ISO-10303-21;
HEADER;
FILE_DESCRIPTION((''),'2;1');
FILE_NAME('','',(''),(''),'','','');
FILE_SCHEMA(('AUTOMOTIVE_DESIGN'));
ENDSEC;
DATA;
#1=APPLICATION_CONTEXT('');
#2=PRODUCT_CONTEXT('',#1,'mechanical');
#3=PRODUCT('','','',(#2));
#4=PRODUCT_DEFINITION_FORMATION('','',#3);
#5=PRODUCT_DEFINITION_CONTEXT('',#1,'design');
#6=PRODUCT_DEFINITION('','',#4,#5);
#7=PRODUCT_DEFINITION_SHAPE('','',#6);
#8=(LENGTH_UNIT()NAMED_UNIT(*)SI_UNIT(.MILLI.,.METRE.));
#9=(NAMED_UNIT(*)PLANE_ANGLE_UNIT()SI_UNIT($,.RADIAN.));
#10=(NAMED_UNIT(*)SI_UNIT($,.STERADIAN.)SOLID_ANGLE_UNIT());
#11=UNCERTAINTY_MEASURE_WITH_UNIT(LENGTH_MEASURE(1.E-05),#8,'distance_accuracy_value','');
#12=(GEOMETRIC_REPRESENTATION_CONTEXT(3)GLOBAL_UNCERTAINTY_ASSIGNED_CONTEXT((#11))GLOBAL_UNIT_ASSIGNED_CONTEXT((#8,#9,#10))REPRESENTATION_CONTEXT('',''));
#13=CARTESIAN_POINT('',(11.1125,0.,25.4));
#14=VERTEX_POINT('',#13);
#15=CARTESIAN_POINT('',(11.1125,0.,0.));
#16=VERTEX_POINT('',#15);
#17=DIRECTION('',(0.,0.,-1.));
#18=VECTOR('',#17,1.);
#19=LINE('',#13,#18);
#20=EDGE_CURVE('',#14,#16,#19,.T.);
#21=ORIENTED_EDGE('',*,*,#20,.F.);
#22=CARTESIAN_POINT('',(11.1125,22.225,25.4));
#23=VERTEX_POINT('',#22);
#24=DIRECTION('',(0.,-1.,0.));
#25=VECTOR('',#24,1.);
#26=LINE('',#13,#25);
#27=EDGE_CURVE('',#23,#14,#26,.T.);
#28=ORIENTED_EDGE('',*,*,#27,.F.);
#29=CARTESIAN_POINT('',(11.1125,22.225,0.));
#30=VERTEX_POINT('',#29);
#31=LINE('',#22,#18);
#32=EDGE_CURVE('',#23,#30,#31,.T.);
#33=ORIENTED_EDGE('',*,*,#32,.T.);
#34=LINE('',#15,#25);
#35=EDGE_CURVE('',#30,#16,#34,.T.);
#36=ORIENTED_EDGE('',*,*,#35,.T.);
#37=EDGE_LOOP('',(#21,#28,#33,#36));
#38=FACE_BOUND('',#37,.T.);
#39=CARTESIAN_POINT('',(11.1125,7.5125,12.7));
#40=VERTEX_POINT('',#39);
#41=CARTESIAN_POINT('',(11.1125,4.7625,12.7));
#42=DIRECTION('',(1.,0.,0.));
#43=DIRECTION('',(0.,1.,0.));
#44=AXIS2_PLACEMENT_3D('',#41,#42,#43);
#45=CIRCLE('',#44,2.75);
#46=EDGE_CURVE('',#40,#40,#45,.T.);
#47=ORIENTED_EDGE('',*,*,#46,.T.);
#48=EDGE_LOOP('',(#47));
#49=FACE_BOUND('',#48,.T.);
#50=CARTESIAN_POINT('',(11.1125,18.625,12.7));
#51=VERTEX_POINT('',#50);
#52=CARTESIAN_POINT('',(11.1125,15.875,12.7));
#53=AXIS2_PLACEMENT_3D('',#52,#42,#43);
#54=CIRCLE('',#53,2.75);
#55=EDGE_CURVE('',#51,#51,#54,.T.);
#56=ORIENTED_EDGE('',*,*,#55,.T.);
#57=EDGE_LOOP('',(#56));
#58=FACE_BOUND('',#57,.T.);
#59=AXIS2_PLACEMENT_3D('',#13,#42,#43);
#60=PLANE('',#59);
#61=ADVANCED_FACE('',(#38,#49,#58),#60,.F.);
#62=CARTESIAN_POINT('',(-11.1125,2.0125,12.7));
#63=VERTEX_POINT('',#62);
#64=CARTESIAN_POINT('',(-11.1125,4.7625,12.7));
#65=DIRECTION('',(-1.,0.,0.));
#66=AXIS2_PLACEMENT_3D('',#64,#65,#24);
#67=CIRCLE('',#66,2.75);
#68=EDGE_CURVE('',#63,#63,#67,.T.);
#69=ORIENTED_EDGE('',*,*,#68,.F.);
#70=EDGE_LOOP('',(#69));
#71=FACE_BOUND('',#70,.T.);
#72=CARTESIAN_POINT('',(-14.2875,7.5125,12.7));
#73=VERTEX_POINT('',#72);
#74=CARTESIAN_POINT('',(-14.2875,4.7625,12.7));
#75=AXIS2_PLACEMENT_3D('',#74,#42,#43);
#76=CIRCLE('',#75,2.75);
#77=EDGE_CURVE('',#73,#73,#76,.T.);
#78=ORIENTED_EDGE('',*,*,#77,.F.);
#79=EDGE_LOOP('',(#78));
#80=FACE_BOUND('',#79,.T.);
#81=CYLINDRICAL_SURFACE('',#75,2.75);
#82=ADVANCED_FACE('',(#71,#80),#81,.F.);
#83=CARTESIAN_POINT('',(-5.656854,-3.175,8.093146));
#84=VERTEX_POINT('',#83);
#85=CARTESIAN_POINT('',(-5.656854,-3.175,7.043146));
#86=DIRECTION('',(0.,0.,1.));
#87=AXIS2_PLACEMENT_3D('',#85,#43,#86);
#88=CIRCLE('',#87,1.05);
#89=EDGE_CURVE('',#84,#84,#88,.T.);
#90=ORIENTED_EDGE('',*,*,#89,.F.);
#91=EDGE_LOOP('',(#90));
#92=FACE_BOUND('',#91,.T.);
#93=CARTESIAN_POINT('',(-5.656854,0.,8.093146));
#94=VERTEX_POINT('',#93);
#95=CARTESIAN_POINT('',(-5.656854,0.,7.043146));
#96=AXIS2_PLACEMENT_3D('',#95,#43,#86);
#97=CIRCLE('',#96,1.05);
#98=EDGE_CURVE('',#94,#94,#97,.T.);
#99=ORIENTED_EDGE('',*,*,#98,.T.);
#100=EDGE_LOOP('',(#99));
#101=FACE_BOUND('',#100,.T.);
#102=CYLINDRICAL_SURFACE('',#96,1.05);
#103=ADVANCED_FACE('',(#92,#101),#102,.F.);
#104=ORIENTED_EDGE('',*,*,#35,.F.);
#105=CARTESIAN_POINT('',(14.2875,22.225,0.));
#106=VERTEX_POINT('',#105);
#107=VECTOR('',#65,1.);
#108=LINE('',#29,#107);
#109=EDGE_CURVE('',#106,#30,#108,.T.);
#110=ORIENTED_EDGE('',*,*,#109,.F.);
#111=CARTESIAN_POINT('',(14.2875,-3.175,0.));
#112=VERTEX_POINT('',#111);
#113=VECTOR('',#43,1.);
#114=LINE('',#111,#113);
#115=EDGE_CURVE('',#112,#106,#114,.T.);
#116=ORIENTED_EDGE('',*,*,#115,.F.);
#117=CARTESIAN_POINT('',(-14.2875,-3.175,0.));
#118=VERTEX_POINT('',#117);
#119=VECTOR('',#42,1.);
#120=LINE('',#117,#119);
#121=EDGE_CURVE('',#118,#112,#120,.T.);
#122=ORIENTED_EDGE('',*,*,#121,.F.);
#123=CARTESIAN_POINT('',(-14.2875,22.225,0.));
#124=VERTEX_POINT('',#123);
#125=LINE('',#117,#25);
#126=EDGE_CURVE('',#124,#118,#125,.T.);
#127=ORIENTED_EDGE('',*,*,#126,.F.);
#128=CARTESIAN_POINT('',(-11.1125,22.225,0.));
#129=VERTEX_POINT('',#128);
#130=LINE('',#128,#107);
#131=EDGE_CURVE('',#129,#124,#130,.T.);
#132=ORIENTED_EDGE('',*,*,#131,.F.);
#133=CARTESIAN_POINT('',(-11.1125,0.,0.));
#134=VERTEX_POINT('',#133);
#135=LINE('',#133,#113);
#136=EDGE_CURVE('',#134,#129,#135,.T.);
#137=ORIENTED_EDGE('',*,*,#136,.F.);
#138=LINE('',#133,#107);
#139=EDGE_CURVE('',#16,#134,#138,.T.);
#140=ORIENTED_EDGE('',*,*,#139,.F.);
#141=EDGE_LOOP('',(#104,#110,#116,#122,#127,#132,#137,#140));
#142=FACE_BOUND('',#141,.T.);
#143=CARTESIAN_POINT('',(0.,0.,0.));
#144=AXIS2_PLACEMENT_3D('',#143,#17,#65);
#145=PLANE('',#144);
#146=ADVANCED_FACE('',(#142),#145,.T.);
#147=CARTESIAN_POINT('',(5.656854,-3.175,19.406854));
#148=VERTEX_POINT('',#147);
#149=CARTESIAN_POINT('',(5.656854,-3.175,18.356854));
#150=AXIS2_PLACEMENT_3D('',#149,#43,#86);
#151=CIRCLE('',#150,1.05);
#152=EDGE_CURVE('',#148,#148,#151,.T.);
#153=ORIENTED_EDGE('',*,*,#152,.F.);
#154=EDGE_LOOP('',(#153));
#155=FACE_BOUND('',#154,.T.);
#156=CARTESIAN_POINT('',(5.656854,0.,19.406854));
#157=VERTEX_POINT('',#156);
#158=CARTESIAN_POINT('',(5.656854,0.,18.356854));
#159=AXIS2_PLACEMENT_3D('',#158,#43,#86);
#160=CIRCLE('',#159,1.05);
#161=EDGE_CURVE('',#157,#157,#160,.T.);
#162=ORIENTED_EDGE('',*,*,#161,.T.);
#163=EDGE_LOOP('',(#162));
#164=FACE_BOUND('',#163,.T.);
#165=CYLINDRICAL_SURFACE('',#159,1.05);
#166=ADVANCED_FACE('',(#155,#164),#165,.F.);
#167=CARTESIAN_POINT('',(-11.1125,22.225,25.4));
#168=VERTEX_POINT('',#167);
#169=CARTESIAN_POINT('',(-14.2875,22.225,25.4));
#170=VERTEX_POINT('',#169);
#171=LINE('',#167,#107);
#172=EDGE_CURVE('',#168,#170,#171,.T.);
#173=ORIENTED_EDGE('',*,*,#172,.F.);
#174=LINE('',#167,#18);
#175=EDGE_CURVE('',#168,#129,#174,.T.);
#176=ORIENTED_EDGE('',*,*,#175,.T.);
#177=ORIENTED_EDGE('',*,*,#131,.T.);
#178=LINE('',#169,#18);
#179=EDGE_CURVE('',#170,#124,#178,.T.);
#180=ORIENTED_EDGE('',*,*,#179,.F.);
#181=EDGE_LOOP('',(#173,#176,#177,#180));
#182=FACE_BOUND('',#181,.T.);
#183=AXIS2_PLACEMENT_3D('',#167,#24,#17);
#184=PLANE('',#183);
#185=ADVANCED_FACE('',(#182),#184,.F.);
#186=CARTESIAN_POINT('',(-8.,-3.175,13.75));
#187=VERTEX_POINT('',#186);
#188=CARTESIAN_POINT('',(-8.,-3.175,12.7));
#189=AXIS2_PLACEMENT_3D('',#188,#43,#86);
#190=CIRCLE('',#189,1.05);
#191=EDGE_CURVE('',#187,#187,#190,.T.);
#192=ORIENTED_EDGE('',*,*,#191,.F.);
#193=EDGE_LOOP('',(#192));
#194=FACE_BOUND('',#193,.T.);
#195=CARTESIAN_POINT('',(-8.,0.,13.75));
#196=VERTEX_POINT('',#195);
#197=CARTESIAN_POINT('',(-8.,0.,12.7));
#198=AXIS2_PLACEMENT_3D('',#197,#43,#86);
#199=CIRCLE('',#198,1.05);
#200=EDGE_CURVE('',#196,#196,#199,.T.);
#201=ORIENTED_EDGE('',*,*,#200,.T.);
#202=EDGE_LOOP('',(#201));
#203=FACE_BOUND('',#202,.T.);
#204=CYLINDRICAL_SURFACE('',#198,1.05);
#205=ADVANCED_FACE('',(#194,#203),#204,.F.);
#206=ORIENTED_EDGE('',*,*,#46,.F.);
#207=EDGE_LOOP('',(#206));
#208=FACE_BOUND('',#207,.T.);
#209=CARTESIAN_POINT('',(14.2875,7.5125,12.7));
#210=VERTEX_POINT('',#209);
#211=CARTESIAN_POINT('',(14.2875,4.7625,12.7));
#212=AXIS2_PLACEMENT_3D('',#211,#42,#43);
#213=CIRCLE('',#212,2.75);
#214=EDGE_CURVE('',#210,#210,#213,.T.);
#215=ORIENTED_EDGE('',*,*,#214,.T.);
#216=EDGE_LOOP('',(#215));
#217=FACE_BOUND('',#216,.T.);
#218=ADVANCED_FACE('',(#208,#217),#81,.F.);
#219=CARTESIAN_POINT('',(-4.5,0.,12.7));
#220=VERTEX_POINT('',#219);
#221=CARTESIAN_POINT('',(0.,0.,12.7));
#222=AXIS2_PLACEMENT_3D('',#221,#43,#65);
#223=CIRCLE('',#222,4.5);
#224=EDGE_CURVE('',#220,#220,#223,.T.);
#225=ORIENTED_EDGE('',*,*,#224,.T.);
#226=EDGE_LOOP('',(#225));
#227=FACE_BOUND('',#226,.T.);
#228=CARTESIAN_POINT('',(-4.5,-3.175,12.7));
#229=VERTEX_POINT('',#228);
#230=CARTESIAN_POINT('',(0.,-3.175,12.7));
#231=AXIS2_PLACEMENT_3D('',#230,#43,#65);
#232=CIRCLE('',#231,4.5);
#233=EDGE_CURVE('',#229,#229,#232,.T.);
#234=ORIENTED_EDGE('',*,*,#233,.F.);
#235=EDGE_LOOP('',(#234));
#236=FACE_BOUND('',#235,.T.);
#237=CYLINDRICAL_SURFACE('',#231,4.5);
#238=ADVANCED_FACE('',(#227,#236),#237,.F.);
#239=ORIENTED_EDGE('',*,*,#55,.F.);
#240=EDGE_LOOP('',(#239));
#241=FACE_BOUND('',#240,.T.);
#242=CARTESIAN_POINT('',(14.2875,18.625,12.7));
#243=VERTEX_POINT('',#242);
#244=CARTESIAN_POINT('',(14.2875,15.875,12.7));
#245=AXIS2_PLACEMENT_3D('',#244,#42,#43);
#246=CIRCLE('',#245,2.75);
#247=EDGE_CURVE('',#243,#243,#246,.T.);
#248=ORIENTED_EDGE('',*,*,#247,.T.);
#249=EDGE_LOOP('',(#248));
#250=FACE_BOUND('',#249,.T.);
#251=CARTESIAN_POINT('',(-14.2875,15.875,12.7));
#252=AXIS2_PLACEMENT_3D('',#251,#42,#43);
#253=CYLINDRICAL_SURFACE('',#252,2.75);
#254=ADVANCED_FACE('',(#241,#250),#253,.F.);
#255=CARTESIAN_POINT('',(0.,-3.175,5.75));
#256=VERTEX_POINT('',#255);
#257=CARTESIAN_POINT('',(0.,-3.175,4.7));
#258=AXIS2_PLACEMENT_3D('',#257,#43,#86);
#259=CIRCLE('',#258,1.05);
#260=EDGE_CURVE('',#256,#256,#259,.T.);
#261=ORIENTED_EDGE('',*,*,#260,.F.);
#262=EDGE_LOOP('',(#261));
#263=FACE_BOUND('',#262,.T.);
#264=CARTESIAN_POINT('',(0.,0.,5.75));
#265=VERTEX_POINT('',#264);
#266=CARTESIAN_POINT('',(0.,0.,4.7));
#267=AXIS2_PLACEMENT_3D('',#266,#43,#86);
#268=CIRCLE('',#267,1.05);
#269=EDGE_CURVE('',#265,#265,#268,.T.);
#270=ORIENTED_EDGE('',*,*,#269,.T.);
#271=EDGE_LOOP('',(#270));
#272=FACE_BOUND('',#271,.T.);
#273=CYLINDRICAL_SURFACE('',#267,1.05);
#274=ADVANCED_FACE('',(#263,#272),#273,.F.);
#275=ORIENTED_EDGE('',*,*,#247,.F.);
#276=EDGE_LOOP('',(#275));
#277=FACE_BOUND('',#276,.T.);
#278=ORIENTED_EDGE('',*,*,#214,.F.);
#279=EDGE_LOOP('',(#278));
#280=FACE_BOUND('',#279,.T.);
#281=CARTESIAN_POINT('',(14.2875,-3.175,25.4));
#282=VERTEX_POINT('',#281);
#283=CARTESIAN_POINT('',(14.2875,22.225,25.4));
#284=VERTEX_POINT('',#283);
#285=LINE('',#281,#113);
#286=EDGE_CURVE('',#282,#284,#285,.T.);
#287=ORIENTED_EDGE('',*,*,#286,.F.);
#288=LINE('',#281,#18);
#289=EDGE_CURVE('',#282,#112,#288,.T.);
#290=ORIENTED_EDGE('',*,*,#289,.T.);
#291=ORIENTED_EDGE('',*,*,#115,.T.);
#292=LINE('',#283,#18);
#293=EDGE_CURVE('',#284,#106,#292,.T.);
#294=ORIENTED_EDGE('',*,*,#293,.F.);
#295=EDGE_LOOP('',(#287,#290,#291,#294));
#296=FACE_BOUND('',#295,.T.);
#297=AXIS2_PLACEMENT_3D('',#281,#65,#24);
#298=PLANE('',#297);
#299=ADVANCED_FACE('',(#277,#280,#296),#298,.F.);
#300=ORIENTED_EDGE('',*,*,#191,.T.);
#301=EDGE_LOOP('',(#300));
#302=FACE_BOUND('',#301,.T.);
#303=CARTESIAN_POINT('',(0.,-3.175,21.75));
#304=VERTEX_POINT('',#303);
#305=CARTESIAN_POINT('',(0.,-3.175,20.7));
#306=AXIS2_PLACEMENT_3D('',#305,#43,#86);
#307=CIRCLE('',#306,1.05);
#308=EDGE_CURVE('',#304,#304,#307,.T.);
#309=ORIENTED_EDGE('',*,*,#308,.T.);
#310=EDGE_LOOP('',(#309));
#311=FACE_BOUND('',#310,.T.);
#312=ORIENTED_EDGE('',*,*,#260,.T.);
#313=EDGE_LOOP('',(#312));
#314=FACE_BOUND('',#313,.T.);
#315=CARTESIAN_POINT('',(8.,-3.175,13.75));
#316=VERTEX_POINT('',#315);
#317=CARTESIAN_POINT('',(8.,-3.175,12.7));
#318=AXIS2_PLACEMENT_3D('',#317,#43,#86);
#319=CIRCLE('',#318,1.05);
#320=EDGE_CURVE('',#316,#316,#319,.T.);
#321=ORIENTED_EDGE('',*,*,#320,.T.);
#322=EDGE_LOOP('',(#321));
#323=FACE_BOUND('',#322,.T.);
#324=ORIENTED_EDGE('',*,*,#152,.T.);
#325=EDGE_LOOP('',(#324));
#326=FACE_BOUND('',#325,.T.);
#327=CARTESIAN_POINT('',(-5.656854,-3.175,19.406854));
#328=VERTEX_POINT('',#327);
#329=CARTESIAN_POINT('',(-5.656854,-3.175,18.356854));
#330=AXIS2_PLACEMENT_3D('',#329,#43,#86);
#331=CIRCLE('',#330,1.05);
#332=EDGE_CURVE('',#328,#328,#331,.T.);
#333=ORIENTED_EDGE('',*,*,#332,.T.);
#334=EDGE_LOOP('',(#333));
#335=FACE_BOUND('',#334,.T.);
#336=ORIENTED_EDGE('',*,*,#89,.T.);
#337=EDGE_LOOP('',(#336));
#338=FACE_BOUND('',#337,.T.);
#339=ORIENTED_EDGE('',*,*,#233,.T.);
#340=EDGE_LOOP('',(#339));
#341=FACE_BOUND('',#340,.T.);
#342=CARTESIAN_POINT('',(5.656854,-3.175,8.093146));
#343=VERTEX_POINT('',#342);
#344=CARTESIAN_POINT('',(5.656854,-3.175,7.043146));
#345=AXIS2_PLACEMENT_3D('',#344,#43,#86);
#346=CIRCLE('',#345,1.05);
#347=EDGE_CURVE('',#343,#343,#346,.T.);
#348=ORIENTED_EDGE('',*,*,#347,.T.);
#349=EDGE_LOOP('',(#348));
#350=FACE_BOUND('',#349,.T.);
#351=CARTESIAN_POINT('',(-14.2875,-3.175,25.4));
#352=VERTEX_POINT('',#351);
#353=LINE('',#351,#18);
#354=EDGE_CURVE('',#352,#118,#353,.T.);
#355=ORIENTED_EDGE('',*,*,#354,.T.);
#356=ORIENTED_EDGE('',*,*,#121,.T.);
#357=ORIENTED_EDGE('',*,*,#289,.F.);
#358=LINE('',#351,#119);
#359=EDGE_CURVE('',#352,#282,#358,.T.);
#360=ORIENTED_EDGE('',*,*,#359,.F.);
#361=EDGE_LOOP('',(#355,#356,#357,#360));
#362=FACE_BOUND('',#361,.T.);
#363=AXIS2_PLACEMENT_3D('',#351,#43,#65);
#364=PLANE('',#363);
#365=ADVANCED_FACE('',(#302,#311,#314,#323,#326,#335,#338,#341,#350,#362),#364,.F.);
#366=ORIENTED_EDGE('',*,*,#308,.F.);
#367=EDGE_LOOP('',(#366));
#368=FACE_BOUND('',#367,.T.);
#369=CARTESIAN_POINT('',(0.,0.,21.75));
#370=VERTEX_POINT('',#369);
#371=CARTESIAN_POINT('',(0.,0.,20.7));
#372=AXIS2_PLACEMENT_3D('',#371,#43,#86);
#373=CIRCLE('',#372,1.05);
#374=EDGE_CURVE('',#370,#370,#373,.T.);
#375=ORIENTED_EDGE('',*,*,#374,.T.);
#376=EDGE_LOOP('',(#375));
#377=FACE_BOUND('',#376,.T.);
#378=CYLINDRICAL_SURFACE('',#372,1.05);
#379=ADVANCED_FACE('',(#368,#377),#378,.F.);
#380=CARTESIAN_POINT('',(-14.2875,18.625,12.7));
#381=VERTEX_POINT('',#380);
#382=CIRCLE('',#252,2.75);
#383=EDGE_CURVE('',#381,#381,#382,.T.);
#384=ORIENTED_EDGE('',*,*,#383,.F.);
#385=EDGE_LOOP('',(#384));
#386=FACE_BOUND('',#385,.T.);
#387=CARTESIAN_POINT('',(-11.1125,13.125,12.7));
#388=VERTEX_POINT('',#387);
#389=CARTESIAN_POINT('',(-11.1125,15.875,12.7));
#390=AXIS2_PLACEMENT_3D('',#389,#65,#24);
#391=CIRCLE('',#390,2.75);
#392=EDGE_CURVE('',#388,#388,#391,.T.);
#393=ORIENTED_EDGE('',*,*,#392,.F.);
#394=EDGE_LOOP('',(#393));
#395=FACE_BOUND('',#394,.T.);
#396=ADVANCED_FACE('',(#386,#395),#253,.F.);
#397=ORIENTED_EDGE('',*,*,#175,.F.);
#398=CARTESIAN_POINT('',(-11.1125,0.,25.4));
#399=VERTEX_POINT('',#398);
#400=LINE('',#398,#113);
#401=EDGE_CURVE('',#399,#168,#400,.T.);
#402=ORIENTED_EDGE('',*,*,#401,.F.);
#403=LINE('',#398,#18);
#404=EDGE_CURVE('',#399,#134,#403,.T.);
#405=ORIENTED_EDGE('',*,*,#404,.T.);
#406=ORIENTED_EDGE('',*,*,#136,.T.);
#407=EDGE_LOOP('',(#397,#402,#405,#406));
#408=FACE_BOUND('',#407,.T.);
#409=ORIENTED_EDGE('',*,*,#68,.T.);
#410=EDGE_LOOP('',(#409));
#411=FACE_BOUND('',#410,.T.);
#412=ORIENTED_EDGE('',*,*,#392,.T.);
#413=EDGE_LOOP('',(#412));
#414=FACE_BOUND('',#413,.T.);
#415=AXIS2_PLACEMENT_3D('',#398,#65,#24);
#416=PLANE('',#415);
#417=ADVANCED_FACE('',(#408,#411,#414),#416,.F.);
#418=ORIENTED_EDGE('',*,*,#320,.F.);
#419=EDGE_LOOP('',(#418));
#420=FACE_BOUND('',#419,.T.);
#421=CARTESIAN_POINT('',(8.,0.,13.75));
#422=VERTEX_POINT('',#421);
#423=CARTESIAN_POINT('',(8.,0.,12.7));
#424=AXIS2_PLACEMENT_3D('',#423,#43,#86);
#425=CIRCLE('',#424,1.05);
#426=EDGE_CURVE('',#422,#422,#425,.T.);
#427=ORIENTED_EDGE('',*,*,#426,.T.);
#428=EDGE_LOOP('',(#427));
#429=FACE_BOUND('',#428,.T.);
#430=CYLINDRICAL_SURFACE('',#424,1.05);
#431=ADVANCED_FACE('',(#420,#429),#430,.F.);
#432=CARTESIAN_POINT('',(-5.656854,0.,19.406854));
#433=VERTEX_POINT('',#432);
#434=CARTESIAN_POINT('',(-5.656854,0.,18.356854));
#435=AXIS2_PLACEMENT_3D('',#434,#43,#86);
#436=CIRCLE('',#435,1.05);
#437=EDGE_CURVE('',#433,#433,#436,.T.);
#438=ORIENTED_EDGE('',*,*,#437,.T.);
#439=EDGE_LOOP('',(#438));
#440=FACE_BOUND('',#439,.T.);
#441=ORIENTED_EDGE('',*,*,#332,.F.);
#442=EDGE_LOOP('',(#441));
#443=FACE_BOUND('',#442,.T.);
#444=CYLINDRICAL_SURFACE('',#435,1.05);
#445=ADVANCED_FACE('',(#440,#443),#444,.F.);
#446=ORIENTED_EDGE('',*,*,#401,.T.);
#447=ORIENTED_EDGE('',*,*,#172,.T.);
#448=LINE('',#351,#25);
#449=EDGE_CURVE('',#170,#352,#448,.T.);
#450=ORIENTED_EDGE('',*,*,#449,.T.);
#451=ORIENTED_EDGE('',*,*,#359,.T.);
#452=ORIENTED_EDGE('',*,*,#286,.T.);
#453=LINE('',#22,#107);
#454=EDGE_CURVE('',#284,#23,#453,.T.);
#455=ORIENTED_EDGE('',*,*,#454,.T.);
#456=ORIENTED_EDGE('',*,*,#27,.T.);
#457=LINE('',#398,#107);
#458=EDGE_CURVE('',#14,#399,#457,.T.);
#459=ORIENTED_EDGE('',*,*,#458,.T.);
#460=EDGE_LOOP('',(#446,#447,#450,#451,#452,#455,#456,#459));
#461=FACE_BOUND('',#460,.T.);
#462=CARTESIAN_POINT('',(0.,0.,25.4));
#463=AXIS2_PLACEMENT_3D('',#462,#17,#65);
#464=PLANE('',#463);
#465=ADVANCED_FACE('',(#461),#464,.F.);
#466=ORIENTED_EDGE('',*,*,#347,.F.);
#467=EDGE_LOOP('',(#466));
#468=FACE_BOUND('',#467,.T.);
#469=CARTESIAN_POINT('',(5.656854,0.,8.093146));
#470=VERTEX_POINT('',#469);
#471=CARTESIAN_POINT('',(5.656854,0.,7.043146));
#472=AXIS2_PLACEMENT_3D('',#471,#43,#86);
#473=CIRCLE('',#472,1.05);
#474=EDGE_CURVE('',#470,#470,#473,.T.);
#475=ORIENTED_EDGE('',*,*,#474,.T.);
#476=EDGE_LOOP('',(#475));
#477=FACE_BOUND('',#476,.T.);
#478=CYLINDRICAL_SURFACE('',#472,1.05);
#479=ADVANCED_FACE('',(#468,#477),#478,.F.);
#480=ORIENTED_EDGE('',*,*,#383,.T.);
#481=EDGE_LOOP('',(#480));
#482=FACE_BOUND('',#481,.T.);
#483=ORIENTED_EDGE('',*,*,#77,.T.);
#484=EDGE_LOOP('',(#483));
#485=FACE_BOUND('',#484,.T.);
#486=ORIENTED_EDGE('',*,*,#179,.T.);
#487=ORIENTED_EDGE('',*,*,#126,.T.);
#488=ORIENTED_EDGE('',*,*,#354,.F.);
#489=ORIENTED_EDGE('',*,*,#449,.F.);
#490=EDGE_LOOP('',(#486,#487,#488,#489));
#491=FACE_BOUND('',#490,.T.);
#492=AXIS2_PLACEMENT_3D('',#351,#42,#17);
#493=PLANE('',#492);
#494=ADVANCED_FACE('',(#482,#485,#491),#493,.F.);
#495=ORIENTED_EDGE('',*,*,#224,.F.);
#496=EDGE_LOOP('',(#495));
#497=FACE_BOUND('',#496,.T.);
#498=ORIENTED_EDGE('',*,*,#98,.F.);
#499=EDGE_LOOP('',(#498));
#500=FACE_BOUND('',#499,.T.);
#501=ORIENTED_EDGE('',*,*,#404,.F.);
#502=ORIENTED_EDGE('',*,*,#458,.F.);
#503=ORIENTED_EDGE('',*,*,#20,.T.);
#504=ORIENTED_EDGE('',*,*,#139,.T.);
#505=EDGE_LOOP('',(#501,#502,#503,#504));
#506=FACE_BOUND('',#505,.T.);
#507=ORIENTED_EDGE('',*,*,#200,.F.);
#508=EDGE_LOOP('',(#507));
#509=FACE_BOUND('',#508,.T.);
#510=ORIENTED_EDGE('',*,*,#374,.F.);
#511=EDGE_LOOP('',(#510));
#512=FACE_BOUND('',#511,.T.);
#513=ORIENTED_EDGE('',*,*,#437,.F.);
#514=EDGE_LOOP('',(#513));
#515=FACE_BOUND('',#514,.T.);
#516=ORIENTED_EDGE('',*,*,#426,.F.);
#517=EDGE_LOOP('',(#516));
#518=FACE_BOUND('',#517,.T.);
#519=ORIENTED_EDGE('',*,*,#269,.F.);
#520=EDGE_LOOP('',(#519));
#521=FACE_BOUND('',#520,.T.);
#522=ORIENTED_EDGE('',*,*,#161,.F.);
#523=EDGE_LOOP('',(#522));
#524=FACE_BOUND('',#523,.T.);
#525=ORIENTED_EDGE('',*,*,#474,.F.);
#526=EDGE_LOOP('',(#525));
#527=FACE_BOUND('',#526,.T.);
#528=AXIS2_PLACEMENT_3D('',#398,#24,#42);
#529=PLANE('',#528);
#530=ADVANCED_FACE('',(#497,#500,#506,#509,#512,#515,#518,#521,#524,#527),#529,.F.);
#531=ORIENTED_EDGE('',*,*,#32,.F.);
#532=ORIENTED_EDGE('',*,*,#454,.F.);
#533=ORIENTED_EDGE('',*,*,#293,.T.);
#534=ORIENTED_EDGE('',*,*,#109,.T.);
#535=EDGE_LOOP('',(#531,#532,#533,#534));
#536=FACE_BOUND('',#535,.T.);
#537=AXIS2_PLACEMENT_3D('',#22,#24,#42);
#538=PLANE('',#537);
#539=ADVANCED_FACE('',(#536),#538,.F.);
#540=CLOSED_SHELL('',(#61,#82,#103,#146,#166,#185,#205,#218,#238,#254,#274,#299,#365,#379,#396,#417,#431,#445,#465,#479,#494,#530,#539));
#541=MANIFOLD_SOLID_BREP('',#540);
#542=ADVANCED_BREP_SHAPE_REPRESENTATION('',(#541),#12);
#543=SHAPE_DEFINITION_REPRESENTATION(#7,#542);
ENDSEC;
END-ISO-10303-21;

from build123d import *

# Parameters (mm, degrees)
BOSS_EXTRUDE1_DEPTH   = 25.4
SKETCH2_R             = 2.75
CUT_EXTRUDE1_DEPTH    = 45.22263278
SKETCH3_R             = 4.500000017
CUT_EXTRUDE2_DEPTH    = 37.650283508
F_2_0MM_DOWEL_HOLE1_D = 2.1


with BuildPart() as part:
    # Sketch1 → Boss-Extrude1 (new body)
    with BuildSketch(Plane.XY):
        Polygon((-11.1125, 0), (11.1125, 0), (11.1125, 22.225), (14.2875, 22.225), (14.2875, -3.175), (-14.2875, -3.175), (-14.2875, 22.225), (-11.1125, 22.225), align=None)
    extrude(amount=BOSS_EXTRUDE1_DEPTH)

    # Sketch2 → Cut-Extrude1 (cut, through all)
    with BuildSketch(Plane(origin=(14.2875, 0, 0), x_dir=(0, 0, -1), z_dir=(1, 0, 0))):
        with Locations(Location((-12.7, 15.875, 0), (0, 0, 90))):
            Circle(SKETCH2_R)
        with Locations(Location((-12.7, 4.7625, 0), (0, 0, 90))):
            Circle(SKETCH2_R)
    extrude(amount=-CUT_EXTRUDE1_DEPTH, mode=Mode.SUBTRACT)

    # Sketch3 → Cut-Extrude2 (cut, through all)
    with BuildSketch(Plane(origin=(0, 0, 0), x_dir=(1, 0, 0), z_dir=(0, 1, 0))):
        with Locations(Location((0, -12.7, 0), (0, 0, 180))):
            Circle(SKETCH3_R)
    extrude(amount=-CUT_EXTRUDE2_DEPTH, mode=Mode.SUBTRACT)

    # Ø2.0mm Dowel Hole1 (through all)
    with Locations(Plane(origin=(0, 0, 0), x_dir=(1, 0, 0), z_dir=(0, 1, 0))):
        with Locations((0, -4.699999998), (5.656854251, -7.043145749), (8.000000002, -12.7), (5.656854251, -18.356854251), (0, -20.700000002), (-5.656854251, -18.356854251), (-8.000000002, -12.7), (-5.656854251, -7.043145749)):
            Hole(F_2_0MM_DOWEL_HOLE1_D / 2)


solid = part.part
